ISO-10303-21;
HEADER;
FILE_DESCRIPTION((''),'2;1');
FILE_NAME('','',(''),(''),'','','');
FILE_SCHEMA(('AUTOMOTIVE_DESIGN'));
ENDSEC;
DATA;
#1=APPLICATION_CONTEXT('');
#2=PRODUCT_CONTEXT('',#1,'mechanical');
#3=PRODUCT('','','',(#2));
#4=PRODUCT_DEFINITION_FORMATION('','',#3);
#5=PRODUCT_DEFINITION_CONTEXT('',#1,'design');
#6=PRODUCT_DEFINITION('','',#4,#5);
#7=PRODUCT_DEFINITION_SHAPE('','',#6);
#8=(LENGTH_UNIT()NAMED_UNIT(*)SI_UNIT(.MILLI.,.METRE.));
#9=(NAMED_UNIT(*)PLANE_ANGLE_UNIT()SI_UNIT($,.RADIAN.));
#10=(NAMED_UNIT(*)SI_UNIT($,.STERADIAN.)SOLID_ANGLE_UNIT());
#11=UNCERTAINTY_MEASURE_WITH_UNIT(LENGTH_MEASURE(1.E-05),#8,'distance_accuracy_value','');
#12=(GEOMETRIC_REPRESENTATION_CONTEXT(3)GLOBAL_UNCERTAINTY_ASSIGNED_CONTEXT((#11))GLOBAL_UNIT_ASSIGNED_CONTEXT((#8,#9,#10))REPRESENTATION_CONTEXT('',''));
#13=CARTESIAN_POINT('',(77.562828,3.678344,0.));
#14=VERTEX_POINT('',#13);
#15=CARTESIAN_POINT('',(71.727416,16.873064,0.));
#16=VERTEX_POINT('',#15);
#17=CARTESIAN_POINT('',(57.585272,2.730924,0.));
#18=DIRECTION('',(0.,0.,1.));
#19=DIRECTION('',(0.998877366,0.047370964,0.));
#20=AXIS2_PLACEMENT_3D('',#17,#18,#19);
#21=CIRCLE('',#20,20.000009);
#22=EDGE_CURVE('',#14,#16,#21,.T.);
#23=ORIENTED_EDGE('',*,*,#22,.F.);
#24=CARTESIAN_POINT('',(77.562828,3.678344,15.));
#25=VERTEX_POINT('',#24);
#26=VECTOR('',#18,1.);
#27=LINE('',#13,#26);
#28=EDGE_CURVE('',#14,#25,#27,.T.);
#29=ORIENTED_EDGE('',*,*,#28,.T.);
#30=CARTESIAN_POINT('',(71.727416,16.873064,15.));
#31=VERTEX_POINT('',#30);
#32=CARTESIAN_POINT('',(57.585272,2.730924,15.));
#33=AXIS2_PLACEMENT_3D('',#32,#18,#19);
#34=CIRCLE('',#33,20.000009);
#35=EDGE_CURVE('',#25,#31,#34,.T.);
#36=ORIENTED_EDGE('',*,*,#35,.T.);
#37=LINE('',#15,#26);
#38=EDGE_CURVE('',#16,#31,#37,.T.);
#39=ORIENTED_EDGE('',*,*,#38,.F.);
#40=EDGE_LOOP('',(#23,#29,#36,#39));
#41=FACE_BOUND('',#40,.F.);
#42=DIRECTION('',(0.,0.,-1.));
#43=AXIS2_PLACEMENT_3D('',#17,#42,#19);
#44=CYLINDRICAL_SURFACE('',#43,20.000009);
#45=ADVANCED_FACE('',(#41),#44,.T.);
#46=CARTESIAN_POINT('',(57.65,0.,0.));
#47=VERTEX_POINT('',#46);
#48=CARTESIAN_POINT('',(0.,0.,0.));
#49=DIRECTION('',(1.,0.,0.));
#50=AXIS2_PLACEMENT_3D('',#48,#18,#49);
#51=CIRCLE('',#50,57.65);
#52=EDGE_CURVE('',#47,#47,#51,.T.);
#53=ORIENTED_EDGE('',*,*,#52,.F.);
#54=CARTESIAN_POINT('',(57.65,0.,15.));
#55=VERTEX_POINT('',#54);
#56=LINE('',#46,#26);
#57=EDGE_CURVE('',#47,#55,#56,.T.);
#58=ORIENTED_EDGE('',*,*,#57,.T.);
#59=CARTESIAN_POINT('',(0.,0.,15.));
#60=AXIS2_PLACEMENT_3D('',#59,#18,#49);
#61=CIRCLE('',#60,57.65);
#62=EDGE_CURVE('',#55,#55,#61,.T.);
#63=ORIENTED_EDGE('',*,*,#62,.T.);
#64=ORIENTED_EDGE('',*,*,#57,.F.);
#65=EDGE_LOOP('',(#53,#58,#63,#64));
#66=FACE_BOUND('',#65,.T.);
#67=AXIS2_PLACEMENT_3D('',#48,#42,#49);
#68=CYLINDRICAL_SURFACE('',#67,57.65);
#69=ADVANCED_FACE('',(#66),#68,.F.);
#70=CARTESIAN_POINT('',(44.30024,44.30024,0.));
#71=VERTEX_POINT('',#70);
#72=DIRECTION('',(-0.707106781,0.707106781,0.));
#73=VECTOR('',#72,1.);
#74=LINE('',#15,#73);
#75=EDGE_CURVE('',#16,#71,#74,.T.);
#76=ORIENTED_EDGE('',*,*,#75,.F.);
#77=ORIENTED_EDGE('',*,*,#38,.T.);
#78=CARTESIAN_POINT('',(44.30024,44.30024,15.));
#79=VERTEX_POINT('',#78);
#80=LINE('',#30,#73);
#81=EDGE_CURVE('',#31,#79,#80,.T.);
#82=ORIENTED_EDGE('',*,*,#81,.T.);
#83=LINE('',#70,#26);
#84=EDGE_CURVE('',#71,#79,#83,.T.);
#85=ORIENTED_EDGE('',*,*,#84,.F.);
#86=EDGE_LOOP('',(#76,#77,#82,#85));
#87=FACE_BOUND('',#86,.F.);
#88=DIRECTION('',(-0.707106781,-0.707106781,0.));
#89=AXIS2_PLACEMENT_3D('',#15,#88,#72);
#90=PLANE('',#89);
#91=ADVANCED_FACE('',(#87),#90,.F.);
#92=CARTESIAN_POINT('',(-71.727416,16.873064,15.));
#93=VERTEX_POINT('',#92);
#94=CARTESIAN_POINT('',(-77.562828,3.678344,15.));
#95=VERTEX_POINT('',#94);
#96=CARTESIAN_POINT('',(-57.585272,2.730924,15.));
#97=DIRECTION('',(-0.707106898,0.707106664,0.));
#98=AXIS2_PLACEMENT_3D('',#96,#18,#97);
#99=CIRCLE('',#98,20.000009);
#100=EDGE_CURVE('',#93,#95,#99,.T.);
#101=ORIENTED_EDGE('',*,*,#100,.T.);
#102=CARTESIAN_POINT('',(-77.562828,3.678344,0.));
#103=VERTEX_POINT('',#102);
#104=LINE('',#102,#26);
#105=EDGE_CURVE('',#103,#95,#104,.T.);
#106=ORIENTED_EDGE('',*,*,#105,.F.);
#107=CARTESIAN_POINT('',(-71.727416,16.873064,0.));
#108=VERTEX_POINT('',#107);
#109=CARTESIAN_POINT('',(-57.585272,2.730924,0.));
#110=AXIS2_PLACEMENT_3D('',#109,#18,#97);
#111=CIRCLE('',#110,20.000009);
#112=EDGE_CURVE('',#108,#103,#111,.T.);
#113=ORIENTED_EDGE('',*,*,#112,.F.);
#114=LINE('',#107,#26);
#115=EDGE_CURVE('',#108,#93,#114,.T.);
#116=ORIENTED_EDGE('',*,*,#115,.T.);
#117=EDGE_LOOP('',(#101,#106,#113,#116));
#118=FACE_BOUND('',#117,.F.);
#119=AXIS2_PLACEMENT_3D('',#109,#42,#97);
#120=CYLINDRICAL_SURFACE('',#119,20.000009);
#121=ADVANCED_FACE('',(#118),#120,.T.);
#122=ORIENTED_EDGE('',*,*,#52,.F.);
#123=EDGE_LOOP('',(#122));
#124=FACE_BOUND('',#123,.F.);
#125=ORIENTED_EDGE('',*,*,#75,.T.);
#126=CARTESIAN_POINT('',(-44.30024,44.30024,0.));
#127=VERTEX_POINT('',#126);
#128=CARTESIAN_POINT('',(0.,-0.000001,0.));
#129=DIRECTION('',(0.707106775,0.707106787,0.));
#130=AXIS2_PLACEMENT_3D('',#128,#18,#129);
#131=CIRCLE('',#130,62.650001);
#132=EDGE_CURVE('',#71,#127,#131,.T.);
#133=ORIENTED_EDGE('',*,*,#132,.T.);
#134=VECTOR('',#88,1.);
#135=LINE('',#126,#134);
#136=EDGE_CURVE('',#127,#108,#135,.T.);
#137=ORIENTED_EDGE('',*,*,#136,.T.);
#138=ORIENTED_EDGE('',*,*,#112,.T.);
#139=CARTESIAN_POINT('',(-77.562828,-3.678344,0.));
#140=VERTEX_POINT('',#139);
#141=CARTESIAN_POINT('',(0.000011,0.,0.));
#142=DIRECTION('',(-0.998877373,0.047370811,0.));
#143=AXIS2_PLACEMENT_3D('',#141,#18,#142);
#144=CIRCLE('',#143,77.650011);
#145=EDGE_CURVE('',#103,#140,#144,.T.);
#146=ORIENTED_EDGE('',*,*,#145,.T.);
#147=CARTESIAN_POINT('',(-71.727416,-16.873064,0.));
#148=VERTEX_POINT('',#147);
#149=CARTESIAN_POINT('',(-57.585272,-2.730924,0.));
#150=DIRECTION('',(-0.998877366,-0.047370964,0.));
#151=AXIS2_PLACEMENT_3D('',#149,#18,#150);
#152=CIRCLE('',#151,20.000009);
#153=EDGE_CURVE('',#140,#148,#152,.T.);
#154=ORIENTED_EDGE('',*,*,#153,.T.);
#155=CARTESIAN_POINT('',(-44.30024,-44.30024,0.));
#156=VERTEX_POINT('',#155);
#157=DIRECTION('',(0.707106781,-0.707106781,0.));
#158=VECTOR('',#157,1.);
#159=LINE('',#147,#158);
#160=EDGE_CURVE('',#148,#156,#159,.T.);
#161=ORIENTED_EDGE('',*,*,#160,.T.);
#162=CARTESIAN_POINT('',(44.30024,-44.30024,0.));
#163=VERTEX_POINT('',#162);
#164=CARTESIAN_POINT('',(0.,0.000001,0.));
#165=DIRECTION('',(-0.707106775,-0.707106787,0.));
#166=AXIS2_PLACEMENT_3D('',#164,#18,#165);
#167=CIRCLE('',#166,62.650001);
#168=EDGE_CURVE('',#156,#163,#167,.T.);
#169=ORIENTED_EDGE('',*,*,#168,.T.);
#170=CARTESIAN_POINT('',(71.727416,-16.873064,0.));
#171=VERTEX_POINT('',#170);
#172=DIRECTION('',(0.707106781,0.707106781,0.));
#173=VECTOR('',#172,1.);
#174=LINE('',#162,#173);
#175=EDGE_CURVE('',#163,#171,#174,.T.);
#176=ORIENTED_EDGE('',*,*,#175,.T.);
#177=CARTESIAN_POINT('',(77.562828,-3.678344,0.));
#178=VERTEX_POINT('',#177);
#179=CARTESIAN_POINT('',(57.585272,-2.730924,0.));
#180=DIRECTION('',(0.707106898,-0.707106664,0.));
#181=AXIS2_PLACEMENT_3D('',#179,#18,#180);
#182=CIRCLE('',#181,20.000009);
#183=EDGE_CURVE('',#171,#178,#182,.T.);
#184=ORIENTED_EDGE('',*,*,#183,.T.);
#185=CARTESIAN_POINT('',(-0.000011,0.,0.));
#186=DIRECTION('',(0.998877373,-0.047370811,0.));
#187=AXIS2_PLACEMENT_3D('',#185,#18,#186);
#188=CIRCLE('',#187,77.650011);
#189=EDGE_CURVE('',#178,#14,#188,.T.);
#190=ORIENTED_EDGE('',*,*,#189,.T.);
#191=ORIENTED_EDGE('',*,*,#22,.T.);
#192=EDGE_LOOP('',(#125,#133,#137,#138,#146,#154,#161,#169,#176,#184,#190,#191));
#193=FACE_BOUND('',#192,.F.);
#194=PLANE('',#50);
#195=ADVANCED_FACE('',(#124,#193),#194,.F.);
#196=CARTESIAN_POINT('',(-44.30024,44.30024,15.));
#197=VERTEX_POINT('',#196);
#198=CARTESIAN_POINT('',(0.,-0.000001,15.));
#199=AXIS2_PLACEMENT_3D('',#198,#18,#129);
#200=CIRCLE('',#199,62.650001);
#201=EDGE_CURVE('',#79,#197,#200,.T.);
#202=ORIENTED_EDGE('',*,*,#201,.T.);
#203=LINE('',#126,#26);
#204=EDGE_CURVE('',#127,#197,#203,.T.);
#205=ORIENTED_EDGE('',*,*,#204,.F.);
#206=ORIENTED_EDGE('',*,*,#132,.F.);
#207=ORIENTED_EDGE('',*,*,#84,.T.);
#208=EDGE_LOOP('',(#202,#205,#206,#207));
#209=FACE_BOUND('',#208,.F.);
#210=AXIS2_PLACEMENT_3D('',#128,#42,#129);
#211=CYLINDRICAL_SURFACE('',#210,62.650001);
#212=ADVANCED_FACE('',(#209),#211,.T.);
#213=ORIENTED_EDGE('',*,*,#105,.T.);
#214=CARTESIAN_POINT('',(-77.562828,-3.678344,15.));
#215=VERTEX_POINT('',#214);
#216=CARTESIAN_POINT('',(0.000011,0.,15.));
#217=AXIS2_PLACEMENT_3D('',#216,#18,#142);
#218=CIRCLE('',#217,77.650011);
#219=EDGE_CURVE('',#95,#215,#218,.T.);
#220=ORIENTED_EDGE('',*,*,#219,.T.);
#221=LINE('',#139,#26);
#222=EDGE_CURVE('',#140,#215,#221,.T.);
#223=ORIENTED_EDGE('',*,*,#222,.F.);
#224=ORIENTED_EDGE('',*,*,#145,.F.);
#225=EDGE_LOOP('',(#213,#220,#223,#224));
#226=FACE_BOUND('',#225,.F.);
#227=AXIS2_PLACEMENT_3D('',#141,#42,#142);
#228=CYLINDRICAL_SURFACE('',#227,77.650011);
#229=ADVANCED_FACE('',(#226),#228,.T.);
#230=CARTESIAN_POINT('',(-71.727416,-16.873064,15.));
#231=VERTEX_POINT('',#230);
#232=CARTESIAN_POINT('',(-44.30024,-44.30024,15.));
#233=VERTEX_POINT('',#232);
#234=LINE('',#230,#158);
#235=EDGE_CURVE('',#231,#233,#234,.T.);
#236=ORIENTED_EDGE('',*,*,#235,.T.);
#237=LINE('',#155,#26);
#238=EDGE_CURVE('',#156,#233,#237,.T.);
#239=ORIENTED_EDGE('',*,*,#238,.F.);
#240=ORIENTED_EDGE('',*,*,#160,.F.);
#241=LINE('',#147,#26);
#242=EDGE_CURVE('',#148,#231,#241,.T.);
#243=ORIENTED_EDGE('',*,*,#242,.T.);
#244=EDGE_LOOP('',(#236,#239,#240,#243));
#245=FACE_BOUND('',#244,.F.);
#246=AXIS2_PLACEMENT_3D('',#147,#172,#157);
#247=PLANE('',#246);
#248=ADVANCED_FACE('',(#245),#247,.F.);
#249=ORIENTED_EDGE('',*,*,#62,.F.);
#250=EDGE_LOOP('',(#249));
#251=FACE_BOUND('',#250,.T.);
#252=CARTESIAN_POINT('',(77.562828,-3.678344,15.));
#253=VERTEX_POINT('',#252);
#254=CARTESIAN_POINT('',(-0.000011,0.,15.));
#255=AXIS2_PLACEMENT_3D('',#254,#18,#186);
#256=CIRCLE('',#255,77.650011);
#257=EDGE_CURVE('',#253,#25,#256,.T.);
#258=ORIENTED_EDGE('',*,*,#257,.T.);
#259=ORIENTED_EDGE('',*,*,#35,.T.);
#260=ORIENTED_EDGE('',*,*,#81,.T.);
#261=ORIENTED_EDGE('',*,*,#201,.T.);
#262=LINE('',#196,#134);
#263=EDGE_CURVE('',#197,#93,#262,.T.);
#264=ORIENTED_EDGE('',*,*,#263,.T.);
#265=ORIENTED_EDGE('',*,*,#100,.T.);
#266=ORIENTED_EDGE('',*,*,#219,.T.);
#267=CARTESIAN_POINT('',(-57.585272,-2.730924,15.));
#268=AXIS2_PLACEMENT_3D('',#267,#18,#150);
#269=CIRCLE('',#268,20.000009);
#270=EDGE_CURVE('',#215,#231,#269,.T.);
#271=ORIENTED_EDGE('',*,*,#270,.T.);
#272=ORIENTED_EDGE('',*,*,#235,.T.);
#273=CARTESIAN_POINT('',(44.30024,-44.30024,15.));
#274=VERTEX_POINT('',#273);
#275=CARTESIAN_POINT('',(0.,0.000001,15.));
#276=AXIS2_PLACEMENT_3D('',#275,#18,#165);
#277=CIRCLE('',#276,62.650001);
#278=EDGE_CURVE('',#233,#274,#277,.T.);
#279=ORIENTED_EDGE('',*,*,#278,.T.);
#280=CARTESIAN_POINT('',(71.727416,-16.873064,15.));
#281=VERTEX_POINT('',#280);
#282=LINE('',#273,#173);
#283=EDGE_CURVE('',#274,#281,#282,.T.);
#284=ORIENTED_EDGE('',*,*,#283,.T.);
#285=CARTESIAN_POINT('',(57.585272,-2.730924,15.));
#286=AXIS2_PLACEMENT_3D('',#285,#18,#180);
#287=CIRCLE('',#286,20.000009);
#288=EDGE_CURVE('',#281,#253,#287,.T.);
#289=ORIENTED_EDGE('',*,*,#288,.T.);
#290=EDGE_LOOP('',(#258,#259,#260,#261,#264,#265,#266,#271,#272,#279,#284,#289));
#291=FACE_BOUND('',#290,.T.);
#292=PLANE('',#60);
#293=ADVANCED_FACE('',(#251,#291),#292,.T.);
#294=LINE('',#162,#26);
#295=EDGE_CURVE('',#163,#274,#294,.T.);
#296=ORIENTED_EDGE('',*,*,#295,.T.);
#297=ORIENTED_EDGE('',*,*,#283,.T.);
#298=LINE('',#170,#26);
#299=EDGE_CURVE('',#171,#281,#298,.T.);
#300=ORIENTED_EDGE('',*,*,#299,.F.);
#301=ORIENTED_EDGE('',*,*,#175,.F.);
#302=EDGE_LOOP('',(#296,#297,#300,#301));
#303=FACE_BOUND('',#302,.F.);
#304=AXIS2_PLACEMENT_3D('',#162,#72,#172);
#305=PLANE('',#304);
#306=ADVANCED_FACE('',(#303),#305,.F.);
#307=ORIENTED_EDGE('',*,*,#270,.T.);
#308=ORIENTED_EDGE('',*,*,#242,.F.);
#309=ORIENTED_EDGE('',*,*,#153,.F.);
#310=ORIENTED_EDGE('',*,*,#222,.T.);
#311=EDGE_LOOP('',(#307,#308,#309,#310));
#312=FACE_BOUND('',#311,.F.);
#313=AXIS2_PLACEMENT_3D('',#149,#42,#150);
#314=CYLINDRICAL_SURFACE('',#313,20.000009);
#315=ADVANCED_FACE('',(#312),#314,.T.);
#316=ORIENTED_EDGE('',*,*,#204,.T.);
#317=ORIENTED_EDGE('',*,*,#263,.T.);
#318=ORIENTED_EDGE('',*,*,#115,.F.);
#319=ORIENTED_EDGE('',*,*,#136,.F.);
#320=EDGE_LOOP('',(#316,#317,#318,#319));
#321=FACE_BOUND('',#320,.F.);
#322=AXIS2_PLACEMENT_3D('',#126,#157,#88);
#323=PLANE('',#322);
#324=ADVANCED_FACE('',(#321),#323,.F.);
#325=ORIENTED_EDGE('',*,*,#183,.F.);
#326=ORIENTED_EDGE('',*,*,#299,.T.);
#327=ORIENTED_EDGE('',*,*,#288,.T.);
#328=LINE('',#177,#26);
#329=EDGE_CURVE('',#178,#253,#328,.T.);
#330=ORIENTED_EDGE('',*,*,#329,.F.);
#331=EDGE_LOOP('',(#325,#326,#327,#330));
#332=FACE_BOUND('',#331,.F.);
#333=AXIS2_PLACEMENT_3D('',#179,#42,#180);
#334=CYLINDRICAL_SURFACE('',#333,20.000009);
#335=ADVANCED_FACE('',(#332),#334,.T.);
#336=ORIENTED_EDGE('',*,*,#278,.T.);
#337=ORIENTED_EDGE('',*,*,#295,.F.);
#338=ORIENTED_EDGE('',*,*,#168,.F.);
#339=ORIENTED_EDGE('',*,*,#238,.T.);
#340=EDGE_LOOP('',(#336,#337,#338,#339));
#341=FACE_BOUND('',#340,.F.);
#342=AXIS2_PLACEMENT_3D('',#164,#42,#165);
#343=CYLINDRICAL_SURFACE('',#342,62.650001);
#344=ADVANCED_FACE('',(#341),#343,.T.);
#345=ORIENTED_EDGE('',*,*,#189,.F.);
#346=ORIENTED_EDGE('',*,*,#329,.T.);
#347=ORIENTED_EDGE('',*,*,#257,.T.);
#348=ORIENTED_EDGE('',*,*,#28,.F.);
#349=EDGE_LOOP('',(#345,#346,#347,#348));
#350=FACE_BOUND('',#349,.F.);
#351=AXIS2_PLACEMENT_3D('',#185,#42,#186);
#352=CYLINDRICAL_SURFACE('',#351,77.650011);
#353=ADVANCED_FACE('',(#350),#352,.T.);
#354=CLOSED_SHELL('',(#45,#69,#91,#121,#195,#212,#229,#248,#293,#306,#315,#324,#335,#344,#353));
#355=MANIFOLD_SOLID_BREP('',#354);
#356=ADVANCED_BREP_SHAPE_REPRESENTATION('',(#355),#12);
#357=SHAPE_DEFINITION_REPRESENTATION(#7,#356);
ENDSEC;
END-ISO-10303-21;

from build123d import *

# Parameters (mm, degrees)
F0_R     = 57.65
F1_DEPTH = 15


with BuildPart() as f1:
    # F0 (on Top) → F1 (new body)
    with BuildSketch(Plane.XY):
        with BuildLine():
            Line((71.727416, 16.873064), (44.30024, 44.30024))
            ThreePointArc((44.30024, 44.30024), (0, 62.65), (-44.30024, 44.30024))
            Line((-44.30024, 44.30024), (-71.727416, 16.873064))
            ThreePointArc((-71.727416, 16.873064), (-75.876353, 10.82022), (-77.562828, 3.678344))
            ThreePointArc((-77.562828, 3.678344), (-77.65, 0), (-77.562828, -3.678344))
            ThreePointArc((-77.562828, -3.678344), (-75.876353, -10.82022), (-71.727416, -16.873064))
            Line((-71.727416, -16.873064), (-44.30024, -44.30024))
            ThreePointArc((-44.30024, -44.30024), (0, -62.65), (44.30024, -44.30024))
            Line((44.30024, -44.30024), (71.727416, -16.873064))
            ThreePointArc((71.727416, -16.873064), (75.876353, -10.82022), (77.562828, -3.678344))
            ThreePointArc((77.562828, -3.678344), (77.65, 0), (77.562828, 3.678344))
            ThreePointArc((77.562828, 3.678344), (75.876353, 10.82022), (71.727416, 16.873064))
        make_face()
        Circle(F0_R, mode=Mode.SUBTRACT)
    extrude(amount=F1_DEPTH)


solid = f1.part
